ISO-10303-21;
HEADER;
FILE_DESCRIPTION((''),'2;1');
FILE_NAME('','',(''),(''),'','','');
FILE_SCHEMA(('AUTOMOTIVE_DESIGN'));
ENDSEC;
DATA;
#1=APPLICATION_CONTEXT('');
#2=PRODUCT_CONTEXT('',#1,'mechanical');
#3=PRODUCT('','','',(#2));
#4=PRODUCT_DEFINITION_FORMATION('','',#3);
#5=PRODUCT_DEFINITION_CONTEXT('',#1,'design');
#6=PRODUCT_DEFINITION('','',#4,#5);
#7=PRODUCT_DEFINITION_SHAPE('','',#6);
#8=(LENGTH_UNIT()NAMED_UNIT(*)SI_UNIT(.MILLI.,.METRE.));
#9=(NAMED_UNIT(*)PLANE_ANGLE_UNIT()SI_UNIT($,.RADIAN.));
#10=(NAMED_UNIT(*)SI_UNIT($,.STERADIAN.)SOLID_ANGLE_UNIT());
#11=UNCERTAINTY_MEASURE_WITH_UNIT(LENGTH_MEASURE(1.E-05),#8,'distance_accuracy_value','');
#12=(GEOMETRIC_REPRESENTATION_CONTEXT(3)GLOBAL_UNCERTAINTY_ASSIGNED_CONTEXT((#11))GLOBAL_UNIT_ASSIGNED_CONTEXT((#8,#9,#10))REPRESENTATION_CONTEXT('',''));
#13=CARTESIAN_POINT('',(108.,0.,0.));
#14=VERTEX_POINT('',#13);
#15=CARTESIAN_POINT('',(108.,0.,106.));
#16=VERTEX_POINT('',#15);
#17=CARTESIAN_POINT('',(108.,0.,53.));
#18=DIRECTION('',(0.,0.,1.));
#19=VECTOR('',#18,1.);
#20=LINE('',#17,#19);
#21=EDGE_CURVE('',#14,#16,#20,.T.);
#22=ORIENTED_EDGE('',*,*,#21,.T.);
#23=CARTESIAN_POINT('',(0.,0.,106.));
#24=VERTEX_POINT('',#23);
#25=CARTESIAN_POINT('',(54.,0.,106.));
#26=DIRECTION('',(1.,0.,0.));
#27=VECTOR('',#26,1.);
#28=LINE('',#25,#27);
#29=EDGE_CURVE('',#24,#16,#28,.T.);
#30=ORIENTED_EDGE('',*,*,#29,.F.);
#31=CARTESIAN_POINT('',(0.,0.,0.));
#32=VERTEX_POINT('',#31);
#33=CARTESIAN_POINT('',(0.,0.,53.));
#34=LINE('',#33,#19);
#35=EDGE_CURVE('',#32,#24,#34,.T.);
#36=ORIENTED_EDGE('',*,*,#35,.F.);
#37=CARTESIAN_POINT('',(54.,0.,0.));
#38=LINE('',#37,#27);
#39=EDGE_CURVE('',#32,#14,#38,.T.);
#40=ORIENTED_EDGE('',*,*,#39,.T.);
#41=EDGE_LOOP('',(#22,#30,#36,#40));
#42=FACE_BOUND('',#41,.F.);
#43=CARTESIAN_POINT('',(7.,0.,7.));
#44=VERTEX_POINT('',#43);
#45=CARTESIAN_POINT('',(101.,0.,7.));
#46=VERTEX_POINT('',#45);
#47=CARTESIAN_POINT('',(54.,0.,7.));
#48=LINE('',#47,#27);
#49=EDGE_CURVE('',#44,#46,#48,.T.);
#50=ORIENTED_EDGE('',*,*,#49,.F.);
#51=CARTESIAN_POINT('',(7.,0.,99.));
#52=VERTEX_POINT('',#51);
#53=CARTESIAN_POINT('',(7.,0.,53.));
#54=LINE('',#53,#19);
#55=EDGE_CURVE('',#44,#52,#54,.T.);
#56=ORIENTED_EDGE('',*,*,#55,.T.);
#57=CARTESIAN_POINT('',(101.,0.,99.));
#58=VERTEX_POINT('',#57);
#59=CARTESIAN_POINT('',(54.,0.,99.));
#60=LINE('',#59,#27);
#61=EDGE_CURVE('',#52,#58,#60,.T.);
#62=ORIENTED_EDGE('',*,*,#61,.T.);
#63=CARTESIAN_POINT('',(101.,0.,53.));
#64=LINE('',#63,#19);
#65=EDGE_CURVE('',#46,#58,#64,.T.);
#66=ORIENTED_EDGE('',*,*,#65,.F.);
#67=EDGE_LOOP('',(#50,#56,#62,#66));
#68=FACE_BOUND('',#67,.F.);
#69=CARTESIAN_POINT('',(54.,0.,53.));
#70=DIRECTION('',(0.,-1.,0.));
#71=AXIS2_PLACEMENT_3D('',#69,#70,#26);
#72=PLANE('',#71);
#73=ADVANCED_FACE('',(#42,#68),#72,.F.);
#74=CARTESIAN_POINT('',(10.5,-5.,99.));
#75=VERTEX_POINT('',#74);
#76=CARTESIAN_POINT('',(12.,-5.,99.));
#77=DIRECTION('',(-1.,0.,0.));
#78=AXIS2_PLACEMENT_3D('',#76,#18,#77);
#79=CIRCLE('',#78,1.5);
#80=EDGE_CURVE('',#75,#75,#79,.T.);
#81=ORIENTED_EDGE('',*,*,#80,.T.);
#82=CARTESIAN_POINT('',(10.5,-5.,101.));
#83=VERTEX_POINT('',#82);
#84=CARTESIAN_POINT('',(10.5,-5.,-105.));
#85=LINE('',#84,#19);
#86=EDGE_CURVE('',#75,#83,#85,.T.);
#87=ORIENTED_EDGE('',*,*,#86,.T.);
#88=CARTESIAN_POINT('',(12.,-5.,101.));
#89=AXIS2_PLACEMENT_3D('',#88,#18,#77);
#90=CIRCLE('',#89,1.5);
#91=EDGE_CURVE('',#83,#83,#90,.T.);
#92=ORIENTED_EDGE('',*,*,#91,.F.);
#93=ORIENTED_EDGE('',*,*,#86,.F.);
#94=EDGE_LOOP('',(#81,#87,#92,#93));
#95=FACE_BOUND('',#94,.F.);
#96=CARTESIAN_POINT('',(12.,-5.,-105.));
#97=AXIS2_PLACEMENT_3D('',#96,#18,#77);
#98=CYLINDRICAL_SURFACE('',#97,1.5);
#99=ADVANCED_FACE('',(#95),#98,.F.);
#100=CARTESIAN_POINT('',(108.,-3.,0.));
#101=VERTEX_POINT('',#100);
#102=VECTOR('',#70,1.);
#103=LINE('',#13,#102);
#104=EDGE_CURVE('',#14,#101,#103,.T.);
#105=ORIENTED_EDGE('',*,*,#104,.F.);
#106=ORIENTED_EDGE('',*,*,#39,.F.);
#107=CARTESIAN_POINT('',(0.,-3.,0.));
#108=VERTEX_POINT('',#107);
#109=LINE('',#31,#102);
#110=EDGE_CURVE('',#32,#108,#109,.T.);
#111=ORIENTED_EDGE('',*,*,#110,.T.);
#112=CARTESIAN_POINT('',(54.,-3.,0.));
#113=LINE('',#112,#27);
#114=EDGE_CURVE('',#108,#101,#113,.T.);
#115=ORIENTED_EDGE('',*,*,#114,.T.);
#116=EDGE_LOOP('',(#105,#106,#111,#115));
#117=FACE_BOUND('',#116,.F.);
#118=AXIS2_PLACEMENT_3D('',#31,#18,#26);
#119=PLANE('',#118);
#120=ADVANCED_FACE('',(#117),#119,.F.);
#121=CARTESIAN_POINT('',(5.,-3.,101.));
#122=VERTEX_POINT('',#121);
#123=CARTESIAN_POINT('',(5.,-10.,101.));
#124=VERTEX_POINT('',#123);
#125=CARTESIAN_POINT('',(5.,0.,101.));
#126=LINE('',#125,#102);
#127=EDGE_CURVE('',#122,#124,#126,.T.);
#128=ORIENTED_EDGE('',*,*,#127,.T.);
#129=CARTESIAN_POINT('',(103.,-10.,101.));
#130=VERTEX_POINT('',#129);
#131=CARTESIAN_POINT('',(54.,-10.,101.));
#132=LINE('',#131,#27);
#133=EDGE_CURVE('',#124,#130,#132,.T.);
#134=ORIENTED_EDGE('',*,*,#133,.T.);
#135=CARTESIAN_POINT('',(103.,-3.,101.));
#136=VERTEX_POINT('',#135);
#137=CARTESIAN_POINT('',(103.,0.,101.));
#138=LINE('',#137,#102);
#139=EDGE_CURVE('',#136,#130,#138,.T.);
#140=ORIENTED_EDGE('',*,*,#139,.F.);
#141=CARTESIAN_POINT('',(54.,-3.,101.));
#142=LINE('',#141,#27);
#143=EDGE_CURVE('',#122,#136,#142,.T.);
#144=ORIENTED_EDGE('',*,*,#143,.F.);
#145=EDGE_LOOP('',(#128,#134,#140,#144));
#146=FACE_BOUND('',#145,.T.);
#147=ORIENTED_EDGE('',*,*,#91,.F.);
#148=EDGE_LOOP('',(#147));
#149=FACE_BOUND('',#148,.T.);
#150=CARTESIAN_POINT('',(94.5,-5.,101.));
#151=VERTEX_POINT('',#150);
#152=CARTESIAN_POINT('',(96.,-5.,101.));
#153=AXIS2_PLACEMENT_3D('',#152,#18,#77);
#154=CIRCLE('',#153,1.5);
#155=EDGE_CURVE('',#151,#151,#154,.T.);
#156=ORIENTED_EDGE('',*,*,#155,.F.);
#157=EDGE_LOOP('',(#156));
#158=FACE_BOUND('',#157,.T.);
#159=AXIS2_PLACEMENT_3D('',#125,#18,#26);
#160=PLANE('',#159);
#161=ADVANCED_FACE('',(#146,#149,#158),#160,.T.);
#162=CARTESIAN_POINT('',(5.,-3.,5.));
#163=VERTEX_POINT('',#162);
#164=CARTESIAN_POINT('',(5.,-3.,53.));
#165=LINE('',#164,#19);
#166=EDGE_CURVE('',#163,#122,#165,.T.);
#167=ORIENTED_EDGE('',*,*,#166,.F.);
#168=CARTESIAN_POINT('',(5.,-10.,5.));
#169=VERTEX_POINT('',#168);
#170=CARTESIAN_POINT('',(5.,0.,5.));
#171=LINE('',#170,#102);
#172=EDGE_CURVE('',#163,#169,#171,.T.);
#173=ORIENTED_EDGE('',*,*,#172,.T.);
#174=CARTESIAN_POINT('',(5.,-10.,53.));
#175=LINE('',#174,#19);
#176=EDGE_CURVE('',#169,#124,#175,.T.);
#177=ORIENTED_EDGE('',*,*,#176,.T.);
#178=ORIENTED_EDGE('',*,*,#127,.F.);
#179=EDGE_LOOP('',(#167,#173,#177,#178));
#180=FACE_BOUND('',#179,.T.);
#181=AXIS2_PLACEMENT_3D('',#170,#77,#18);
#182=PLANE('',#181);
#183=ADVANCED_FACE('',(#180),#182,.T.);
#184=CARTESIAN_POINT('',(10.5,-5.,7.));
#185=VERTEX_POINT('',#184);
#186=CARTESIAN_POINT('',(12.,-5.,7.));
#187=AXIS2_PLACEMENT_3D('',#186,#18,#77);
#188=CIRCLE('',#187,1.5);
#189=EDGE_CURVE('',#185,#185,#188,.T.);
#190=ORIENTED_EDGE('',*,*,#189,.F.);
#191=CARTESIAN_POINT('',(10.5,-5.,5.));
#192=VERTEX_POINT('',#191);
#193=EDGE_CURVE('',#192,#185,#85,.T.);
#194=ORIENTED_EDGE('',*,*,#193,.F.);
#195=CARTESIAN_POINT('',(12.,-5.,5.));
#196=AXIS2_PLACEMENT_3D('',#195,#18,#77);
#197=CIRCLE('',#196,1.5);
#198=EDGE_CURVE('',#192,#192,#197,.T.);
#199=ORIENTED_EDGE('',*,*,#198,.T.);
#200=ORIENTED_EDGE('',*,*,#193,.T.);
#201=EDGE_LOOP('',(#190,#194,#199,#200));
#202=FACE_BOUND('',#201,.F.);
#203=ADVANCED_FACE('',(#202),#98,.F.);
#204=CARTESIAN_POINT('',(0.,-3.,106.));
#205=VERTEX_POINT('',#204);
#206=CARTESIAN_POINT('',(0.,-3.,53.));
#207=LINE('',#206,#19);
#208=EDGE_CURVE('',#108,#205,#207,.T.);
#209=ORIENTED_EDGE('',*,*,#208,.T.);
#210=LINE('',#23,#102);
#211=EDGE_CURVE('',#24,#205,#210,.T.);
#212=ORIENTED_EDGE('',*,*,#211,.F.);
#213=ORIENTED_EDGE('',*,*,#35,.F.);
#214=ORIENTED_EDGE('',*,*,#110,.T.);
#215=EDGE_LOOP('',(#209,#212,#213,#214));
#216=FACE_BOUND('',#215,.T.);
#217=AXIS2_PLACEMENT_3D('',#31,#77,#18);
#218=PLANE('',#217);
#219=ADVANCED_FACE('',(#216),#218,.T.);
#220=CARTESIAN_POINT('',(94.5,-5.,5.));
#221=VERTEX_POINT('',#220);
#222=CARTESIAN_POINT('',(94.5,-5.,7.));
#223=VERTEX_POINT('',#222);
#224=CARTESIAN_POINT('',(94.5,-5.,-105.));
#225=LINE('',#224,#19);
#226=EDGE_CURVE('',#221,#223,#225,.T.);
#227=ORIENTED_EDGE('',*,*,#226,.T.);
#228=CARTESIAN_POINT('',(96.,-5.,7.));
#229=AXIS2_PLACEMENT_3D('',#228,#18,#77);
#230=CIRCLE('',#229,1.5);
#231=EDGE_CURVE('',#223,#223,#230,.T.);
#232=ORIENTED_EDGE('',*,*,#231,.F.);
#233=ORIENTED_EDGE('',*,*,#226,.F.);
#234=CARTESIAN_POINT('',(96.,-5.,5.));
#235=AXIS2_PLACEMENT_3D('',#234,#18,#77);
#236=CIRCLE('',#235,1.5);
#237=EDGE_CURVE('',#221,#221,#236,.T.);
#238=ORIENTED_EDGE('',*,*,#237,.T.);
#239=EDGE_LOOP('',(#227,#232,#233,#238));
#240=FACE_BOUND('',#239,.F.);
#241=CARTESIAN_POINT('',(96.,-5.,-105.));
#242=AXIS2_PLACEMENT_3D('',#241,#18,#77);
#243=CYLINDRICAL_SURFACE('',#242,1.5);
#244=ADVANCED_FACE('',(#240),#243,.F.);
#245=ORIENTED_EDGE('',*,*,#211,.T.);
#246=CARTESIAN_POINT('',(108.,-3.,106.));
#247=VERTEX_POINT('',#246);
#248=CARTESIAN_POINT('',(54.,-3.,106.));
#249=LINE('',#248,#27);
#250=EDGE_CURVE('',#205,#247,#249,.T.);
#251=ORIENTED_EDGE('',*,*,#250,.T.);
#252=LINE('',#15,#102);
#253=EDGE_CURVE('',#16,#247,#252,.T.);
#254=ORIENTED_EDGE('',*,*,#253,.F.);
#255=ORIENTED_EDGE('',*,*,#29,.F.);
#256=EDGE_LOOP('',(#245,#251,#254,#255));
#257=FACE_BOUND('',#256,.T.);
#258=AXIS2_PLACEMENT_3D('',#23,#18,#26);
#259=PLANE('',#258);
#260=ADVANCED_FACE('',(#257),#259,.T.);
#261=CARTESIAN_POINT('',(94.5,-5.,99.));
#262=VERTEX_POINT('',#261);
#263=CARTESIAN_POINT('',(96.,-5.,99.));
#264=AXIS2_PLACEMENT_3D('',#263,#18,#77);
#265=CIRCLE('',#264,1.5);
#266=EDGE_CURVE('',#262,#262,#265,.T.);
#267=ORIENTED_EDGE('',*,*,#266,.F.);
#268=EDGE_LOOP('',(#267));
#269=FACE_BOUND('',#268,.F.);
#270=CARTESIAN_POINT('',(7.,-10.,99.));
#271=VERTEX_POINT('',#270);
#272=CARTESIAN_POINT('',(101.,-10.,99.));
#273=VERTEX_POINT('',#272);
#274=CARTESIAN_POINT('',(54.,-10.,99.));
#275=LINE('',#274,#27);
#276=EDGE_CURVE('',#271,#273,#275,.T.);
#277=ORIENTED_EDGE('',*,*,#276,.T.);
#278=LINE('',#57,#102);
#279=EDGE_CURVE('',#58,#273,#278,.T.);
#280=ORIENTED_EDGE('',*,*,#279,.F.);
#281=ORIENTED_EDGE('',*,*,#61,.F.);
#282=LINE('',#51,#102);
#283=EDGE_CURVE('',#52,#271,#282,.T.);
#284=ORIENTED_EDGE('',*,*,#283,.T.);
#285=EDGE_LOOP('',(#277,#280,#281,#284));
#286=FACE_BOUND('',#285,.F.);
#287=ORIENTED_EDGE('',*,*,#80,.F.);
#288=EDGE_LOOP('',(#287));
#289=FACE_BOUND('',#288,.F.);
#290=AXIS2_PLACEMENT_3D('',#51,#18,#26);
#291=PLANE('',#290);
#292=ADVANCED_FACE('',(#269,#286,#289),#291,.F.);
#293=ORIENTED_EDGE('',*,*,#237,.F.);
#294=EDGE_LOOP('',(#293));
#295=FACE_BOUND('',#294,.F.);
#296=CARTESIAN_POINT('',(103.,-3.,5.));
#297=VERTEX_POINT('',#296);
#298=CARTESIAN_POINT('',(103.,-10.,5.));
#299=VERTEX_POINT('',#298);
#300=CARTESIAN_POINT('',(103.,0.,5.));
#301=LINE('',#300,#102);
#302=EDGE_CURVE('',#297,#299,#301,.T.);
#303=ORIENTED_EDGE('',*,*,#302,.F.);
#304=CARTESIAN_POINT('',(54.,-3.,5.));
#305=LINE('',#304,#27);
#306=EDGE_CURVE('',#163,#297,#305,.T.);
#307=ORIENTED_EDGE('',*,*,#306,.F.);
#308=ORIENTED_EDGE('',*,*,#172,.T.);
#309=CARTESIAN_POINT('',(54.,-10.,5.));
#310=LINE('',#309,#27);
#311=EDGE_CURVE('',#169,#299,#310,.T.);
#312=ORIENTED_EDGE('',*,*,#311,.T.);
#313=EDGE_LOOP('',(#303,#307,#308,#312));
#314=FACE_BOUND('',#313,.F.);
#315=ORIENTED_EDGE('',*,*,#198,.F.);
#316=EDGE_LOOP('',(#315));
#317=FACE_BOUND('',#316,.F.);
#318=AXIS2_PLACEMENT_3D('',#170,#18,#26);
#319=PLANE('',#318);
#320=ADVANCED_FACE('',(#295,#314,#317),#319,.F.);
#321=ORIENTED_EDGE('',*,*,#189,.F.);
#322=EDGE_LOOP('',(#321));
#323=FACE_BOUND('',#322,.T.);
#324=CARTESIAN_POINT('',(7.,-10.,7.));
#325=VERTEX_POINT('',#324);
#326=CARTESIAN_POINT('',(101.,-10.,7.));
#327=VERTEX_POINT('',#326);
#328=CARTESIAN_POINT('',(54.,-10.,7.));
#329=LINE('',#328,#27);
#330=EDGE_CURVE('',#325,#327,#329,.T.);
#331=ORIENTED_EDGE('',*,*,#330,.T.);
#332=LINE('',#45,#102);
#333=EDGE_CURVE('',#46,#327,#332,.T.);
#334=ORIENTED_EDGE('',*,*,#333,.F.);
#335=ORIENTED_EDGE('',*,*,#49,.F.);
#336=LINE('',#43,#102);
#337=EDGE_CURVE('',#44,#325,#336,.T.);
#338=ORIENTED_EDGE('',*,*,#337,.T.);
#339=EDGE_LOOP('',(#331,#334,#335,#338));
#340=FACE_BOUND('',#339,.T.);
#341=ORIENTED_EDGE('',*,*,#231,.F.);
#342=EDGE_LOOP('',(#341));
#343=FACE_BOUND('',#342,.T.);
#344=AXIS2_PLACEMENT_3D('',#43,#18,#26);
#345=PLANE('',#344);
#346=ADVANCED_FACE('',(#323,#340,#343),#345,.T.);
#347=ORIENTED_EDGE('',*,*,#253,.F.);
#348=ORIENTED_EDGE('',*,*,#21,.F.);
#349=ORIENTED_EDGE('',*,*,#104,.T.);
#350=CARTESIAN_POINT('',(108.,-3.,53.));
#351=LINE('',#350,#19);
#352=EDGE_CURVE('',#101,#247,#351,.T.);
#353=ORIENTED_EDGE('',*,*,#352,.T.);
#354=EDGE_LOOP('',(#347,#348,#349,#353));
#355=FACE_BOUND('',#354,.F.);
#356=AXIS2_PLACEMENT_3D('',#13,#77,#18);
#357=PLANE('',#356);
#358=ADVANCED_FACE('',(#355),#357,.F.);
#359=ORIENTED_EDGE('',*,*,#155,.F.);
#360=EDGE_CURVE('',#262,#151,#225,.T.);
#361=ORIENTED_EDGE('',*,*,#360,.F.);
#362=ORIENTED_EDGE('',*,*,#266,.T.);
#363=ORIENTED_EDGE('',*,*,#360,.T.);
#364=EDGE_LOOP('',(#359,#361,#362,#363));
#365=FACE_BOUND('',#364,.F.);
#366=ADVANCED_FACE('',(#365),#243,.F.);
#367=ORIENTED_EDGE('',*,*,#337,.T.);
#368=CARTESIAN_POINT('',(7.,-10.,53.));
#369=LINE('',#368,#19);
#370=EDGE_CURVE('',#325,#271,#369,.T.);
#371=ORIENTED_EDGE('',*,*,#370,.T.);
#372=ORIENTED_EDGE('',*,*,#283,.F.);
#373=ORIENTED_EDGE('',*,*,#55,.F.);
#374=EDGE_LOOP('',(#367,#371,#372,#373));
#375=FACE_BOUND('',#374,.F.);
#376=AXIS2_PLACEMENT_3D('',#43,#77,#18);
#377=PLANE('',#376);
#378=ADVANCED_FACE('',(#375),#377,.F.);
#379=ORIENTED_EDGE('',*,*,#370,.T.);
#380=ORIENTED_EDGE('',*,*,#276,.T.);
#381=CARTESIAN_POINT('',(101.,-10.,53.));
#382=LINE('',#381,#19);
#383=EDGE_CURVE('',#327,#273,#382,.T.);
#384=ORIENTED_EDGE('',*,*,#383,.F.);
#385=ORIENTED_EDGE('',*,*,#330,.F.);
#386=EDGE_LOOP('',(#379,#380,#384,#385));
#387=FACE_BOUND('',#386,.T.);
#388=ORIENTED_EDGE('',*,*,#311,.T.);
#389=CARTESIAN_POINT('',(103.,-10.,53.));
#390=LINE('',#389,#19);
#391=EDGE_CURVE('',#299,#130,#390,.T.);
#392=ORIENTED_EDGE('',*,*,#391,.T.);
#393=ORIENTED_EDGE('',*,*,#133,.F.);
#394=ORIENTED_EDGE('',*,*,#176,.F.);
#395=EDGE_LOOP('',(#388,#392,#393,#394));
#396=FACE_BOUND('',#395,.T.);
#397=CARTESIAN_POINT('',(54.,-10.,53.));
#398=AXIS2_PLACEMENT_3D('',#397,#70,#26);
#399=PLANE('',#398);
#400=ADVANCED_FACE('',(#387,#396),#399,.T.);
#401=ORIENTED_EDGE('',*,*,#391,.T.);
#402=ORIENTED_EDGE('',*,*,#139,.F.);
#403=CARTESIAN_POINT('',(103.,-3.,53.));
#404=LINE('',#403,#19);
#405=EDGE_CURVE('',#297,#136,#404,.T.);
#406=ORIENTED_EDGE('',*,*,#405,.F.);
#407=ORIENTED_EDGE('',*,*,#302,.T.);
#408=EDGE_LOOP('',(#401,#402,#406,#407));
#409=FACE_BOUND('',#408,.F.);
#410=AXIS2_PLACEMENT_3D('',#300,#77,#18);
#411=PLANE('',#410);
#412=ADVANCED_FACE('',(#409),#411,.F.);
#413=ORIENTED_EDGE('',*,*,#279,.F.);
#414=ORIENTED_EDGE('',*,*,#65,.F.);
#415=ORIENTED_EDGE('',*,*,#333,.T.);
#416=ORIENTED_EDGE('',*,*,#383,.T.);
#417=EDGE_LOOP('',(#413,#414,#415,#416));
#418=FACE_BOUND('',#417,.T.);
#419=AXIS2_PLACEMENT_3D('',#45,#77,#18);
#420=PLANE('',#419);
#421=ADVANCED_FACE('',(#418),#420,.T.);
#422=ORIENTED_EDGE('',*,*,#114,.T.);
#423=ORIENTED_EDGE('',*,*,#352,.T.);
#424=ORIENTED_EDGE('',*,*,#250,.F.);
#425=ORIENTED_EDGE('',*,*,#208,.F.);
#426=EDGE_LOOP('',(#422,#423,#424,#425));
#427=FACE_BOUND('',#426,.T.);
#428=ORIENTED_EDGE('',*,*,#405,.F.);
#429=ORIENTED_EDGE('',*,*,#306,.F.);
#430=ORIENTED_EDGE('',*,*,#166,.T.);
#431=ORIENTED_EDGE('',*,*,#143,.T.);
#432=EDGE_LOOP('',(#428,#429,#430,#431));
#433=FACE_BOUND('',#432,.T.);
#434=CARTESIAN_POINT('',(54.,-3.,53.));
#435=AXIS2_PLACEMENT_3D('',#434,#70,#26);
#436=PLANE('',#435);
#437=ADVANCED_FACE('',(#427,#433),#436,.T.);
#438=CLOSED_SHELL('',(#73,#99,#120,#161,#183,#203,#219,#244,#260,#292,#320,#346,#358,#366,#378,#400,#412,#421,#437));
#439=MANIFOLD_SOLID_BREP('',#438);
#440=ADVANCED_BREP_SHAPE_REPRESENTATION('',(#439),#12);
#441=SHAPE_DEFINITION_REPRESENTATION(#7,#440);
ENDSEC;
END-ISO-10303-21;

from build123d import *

# Parameters (mm, degrees)
F0_W     = 98
F0_H     = 96
F0_W_2   = 94
F0_H_2   = 92
F1_DEPTH = 10
F0_W_3   = 108
F0_H_3   = 106
F2_DEPTH = 3
F4_D     = 3
F4_DEPTH = 110
F4_START = 5
F4_TIP   = 0.9012909285


with BuildPart() as f1:
    # F0 (on Front) → F1 (new body)
    with BuildSketch(Plane.XZ):
        with Locations((54, 53)):
            Rectangle(F0_W, F0_H)
        with Locations((54, 53)):
            Rectangle(F0_W_2, F0_H_2, mode=Mode.SUBTRACT)
    extrude(amount=F1_DEPTH)

    # F0 (on Front) → F2 (join)
    with BuildSketch(Plane.XZ):
        with Locations((54, 53)):
            Rectangle(F0_W_3, F0_H_3)
        with Locations((54, 53)):
            Rectangle(F0_W, F0_H, mode=Mode.SUBTRACT)
    extrude(amount=F2_DEPTH)

    # F4
    # its depths count from where the whole tool has entered the part; down to there all is cleared
    with Locations(Plane(origin=(0, 0, 0), x_dir=(1, 0, 0), z_dir=(0, 0, -1)).offset(-F4_START)):
        with Locations((12, 5), (96, 5)):
            Hole(F4_D / 2, depth=F4_DEPTH)
            with Locations((0, 0, -(F4_DEPTH + F4_TIP / 2))):  # 118° drill point
                Cone(0, F4_D / 2, F4_TIP, mode=Mode.SUBTRACT)


solid = f1.part
